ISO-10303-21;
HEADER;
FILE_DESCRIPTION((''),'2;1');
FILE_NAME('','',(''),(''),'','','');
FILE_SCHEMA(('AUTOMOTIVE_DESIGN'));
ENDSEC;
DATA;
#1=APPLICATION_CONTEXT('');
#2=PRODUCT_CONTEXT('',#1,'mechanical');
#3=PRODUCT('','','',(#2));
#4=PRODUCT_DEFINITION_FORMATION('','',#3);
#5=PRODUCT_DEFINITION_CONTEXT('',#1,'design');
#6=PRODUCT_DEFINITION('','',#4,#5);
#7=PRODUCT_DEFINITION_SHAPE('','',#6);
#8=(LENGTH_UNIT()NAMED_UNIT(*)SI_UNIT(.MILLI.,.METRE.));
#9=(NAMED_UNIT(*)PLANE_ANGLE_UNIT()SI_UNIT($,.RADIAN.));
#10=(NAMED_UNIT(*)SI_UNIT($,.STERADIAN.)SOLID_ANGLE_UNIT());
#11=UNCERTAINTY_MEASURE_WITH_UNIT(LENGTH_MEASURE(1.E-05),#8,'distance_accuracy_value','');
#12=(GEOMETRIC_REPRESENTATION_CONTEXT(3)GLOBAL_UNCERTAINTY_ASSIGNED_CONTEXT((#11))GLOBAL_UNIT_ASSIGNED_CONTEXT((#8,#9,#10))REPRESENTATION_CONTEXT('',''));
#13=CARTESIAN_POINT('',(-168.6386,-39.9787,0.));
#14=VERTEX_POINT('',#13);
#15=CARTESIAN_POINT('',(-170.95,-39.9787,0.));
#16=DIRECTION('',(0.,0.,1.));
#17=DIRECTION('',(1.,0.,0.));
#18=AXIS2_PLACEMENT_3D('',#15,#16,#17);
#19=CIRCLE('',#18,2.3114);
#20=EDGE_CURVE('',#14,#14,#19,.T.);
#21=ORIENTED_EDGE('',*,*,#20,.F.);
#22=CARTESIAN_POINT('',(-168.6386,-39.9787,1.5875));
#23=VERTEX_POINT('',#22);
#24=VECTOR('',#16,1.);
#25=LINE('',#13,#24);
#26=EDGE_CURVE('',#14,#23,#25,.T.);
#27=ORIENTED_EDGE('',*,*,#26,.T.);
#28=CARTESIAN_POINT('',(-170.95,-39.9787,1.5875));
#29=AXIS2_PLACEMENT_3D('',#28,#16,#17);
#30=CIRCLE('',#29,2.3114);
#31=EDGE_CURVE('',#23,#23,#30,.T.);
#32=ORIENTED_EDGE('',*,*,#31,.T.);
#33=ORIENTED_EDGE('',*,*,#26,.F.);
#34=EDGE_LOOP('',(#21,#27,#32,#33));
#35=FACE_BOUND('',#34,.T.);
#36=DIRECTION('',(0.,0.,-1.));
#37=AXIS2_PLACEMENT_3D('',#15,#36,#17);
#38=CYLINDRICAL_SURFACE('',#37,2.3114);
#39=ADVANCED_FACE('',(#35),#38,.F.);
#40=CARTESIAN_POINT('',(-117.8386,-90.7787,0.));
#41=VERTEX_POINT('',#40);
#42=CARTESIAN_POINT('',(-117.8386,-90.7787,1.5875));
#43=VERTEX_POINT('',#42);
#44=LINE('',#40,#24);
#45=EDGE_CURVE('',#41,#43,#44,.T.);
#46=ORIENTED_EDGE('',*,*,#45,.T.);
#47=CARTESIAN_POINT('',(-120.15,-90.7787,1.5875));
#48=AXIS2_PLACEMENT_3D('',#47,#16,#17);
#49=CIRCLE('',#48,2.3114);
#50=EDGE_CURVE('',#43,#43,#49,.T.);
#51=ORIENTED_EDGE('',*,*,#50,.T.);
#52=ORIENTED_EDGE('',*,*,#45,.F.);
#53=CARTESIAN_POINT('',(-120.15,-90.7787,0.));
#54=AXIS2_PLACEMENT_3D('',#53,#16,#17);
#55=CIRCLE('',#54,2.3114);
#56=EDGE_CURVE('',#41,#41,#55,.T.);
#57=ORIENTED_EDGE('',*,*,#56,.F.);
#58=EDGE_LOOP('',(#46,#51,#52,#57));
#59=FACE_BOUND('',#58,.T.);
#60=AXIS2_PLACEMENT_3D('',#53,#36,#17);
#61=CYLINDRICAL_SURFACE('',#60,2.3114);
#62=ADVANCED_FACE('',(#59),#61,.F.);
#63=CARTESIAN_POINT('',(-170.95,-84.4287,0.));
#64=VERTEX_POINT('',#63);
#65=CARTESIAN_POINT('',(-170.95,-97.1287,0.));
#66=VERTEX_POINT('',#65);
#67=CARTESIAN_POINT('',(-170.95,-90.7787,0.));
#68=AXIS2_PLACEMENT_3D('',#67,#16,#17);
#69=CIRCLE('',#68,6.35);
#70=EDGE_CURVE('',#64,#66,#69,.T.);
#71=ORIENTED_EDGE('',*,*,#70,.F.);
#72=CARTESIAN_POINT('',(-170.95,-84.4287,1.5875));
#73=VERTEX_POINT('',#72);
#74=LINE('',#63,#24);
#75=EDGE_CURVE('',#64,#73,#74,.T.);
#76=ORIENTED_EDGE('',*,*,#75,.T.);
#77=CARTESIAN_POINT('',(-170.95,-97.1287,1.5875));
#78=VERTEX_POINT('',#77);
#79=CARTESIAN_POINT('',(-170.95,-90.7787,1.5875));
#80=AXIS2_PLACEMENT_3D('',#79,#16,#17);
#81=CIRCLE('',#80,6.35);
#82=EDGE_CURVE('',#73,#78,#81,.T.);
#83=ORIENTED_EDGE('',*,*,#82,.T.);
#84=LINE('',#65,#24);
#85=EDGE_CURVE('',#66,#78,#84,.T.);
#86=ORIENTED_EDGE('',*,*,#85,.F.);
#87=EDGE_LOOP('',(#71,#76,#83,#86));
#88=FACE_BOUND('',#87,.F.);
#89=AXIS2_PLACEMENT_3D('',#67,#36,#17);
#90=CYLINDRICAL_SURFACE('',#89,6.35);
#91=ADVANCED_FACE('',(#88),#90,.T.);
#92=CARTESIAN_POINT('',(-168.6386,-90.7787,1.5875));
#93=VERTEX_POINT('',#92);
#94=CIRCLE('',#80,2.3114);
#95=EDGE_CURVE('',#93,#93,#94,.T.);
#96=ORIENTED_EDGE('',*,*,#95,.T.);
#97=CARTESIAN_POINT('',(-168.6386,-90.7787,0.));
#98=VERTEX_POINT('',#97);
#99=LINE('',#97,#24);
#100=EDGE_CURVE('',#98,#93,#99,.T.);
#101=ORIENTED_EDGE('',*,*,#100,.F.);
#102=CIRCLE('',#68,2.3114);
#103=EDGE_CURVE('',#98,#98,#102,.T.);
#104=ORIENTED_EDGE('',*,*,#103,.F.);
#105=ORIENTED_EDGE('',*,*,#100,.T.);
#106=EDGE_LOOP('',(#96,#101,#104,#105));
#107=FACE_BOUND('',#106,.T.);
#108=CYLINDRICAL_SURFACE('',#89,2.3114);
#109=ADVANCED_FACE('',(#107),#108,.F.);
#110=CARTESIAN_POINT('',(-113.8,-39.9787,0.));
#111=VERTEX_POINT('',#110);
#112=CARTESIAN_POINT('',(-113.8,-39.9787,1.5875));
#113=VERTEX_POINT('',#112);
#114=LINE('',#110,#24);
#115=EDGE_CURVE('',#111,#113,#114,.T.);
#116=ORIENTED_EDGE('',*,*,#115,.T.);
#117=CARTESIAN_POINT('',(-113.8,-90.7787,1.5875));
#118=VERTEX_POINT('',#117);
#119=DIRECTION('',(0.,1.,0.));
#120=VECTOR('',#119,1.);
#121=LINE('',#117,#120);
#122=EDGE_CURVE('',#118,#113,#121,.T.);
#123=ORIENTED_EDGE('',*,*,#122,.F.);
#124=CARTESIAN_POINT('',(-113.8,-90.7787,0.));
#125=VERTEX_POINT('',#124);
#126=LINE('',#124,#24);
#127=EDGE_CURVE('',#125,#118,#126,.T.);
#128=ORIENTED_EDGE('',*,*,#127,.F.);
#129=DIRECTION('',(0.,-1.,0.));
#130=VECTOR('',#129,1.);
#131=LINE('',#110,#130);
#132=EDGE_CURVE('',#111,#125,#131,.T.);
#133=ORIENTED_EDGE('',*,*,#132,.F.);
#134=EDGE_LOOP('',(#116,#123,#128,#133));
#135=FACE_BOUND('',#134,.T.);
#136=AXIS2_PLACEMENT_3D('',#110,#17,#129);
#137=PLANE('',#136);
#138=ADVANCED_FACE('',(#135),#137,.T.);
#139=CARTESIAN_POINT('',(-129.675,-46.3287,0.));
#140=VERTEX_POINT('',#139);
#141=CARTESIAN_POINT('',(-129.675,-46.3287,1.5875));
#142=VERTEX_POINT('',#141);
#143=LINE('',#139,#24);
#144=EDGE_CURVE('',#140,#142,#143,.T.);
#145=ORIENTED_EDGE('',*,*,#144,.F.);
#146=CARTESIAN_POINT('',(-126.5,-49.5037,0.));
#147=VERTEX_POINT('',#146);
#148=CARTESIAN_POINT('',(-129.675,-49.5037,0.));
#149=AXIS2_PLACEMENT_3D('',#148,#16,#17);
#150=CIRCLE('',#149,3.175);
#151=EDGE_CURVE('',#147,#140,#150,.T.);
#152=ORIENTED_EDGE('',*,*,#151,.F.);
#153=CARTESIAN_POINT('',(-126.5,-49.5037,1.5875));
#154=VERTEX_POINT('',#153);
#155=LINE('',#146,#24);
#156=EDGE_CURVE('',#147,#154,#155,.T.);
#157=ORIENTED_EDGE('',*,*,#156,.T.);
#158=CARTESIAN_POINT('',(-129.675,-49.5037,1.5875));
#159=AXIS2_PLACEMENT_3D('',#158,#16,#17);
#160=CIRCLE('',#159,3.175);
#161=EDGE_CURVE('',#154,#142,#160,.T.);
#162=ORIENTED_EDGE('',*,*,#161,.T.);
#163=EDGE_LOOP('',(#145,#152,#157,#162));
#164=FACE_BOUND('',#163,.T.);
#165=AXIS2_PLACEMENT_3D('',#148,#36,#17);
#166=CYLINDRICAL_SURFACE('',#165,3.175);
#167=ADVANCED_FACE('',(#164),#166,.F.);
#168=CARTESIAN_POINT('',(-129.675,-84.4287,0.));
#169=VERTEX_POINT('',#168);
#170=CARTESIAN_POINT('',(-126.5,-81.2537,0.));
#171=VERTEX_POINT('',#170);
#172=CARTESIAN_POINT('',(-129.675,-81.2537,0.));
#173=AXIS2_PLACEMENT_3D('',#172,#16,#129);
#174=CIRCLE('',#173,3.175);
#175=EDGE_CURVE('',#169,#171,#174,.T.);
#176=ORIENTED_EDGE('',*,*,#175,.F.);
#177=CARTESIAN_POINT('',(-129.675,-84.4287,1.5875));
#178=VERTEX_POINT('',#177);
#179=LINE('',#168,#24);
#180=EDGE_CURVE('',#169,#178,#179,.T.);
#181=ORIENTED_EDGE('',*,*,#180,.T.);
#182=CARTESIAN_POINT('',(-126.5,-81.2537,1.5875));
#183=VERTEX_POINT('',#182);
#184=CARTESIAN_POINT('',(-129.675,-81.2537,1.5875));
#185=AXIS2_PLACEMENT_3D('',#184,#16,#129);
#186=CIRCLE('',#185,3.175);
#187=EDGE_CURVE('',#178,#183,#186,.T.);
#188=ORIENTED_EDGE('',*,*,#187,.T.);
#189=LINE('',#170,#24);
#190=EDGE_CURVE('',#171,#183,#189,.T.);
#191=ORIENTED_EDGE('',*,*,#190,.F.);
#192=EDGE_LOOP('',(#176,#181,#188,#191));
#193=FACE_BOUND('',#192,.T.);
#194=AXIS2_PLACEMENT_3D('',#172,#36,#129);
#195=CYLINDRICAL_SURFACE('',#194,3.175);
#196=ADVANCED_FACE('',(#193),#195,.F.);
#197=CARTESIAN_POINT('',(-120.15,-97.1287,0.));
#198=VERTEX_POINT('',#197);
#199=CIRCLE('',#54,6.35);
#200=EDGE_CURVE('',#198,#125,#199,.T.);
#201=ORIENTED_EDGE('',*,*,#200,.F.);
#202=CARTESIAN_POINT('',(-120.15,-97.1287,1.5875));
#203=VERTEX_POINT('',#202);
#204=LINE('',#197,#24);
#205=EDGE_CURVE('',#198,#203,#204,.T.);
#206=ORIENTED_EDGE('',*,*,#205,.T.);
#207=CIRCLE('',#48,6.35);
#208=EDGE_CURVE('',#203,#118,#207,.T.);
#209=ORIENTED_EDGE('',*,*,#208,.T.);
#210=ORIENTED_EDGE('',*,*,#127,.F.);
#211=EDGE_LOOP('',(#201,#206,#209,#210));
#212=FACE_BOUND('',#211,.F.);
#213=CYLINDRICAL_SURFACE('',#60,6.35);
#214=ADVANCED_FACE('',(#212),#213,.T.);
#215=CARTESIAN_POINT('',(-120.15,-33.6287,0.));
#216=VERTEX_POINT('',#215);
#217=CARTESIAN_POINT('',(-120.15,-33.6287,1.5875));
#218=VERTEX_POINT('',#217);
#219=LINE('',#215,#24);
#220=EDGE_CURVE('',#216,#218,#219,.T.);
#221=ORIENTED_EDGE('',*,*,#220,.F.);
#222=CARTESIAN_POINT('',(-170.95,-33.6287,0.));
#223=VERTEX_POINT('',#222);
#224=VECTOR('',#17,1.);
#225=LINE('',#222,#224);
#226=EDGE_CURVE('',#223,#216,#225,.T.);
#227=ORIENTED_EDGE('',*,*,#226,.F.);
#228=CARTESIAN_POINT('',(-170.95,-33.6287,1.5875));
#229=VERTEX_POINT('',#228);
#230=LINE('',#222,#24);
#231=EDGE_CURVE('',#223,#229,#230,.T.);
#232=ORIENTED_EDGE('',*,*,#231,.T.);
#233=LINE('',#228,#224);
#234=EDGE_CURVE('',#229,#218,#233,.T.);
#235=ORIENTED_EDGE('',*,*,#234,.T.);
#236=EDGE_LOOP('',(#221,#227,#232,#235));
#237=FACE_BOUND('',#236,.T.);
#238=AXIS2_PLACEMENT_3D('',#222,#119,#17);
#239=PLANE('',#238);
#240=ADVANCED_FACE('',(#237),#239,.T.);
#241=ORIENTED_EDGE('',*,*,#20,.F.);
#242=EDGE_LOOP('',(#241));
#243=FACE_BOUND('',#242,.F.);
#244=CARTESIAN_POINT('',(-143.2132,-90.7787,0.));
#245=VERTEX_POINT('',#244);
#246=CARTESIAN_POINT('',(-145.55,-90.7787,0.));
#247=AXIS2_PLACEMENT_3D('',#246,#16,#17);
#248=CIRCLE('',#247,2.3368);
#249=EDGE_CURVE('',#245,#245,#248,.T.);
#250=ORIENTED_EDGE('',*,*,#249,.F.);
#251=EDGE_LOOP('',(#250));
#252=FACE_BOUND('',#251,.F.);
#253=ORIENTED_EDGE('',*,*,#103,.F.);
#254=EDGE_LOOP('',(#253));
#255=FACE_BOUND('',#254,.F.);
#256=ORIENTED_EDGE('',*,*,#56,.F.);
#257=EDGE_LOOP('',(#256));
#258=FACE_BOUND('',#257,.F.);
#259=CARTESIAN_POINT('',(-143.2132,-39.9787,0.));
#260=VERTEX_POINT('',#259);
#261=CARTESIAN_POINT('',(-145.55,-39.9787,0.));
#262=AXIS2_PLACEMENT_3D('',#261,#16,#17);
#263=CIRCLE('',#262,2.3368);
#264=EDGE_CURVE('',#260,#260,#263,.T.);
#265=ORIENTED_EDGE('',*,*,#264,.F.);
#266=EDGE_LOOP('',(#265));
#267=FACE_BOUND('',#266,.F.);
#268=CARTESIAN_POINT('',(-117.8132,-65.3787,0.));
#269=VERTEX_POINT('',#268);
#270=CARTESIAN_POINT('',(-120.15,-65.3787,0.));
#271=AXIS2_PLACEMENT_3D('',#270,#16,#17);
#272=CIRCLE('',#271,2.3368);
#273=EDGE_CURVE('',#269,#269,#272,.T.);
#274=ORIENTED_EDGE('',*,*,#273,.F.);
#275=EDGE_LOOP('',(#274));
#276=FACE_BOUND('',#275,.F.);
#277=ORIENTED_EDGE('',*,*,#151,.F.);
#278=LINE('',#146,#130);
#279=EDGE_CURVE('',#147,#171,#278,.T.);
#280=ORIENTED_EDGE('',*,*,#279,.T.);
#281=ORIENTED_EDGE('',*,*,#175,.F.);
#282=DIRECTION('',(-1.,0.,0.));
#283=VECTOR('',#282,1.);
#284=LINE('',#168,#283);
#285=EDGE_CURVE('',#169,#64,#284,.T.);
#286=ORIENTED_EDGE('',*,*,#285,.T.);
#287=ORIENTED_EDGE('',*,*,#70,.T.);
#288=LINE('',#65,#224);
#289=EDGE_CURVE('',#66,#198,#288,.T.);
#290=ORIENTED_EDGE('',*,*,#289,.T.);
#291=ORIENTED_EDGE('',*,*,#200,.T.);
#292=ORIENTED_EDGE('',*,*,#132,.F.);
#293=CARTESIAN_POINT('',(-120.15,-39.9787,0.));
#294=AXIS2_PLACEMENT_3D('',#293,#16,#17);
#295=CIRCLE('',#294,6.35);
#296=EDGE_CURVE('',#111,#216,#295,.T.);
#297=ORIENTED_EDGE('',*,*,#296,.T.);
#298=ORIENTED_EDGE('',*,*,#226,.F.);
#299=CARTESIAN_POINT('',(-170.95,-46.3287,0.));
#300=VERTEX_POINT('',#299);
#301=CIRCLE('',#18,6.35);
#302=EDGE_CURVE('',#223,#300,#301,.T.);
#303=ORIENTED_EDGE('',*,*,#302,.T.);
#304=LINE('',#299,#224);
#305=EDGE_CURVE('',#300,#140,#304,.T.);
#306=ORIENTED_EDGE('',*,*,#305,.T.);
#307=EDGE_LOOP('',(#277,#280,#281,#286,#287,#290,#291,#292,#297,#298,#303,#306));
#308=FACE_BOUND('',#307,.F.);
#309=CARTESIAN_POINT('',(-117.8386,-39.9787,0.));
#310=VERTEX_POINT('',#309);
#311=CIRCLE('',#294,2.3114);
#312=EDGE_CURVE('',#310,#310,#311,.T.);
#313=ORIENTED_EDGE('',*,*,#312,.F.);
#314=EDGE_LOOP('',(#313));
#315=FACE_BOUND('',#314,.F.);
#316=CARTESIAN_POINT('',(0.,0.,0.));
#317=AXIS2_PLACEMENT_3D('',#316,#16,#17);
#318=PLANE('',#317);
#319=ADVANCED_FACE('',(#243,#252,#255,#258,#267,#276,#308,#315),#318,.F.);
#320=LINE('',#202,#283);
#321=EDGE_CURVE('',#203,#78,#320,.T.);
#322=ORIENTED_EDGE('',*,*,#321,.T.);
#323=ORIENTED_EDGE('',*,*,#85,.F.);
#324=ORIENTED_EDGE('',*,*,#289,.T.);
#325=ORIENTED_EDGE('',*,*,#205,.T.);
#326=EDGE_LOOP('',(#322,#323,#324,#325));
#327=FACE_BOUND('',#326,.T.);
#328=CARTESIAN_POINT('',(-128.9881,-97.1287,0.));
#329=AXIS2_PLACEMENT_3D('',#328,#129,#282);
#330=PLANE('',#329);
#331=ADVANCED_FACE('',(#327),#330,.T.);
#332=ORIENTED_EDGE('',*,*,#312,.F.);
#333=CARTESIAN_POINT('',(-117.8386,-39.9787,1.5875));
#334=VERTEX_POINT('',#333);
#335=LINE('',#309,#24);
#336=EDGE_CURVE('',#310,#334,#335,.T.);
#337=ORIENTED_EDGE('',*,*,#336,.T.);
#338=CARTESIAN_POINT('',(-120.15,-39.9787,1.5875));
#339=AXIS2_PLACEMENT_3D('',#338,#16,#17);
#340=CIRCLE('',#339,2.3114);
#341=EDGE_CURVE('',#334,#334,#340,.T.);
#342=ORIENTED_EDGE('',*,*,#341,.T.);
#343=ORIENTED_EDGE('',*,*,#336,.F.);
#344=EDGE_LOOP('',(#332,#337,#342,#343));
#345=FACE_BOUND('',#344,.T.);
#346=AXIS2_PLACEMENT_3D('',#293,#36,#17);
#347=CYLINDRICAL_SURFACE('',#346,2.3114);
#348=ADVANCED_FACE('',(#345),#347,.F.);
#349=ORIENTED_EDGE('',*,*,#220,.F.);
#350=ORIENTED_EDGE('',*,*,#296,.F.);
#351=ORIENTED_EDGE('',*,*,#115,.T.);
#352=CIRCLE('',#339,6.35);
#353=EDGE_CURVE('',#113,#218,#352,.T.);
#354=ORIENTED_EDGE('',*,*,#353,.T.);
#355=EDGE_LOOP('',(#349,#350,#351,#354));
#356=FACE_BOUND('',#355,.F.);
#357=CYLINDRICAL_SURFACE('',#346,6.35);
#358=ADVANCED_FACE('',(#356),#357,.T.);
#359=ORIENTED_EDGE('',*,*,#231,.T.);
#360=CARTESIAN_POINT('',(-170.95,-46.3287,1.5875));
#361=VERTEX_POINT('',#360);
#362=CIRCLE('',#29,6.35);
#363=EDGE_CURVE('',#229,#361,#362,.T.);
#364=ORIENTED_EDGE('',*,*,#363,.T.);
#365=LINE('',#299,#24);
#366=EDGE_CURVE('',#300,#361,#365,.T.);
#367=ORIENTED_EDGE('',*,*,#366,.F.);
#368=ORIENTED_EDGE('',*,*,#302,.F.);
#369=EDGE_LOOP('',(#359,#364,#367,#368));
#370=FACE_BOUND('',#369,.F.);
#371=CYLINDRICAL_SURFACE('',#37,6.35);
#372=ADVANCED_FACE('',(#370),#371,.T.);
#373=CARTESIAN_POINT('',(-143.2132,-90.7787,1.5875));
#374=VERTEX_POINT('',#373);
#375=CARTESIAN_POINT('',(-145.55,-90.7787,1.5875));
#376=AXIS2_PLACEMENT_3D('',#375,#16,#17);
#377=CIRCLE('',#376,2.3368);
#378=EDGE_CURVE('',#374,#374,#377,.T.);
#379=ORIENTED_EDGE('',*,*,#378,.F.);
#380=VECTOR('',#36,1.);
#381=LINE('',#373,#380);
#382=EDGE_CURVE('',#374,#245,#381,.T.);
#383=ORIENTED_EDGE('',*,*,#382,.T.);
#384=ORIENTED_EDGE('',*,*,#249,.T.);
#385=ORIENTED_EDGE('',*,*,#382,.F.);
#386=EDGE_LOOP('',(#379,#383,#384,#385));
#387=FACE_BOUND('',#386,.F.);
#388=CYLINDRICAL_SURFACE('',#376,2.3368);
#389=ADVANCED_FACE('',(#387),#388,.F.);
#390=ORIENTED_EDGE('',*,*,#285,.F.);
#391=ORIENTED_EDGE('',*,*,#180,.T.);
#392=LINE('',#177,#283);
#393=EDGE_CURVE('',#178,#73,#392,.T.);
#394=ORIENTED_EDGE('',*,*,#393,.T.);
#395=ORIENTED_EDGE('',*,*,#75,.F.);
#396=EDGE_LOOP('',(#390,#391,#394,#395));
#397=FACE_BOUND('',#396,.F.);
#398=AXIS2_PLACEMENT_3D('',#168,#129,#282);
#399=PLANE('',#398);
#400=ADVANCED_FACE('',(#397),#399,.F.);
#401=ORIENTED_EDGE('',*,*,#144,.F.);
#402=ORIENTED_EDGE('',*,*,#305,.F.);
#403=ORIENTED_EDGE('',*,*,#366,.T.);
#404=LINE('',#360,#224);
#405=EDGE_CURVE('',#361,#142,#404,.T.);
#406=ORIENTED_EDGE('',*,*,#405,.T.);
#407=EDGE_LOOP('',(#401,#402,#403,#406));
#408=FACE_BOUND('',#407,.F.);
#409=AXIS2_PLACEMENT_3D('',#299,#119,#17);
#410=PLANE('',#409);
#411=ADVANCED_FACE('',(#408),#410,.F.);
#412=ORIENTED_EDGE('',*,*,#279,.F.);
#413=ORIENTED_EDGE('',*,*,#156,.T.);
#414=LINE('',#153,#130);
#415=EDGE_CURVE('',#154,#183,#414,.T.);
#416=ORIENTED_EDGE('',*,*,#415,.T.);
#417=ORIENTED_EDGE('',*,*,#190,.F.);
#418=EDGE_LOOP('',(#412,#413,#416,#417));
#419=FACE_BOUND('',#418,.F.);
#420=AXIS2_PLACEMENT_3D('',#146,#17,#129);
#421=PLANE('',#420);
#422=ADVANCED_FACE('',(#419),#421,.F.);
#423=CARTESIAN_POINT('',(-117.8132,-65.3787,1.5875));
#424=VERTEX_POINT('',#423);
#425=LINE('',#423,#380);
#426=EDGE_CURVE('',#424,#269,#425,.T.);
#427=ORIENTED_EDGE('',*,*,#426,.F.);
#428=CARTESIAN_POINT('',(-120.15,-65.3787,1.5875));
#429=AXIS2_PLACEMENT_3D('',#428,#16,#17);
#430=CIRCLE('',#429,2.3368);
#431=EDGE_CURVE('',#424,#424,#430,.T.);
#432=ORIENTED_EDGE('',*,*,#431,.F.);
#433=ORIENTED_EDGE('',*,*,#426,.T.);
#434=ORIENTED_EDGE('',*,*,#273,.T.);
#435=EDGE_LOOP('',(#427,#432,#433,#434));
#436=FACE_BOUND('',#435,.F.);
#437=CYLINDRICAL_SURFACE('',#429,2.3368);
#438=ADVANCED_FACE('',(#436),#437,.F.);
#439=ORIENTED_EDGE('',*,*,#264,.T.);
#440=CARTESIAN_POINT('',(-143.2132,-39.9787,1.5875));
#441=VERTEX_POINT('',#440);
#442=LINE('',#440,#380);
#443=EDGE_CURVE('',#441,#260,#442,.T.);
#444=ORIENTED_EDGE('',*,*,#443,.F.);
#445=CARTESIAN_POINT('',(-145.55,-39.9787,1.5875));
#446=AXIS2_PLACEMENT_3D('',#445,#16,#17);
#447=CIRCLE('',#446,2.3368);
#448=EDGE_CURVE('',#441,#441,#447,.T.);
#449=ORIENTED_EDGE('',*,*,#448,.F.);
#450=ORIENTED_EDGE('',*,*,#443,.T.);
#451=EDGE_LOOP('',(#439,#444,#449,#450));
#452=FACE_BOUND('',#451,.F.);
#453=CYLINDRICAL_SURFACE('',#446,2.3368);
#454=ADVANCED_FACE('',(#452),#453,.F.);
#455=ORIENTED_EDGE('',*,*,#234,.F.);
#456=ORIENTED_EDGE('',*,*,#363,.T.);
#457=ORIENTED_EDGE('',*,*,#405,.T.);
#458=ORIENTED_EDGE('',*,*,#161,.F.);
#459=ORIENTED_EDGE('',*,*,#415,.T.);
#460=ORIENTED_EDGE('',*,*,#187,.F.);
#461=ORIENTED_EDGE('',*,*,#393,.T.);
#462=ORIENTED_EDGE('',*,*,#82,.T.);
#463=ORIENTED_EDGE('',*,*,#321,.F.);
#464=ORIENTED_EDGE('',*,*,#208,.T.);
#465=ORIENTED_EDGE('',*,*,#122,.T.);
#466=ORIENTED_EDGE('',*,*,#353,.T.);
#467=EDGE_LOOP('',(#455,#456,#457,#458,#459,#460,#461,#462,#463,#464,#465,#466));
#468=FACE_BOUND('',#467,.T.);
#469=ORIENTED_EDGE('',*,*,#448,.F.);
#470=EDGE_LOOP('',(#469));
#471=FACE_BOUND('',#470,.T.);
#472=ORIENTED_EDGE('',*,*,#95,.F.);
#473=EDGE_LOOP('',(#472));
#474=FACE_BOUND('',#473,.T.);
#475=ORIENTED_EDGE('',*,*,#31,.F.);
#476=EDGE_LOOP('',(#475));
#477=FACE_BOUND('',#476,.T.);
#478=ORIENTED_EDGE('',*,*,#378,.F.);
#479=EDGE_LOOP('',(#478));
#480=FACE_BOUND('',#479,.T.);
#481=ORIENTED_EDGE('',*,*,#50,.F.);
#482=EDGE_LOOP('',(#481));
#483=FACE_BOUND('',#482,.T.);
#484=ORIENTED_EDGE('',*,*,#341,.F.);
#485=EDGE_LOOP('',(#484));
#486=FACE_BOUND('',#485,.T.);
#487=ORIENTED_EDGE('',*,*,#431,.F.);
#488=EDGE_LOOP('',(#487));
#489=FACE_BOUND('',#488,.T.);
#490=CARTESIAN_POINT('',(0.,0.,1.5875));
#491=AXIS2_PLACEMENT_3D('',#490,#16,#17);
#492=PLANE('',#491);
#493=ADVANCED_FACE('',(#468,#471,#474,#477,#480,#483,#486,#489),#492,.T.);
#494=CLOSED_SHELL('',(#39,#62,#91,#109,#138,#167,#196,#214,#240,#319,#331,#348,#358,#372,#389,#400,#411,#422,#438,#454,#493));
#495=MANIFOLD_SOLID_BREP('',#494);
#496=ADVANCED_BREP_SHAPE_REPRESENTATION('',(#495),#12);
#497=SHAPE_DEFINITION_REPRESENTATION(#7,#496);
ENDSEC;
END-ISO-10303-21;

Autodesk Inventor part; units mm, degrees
ref_plane "YZ Plane" through (0, 0, 0) normal (1, 0, 0) x (0, 1, 0)
ref_plane "XZ Plane" through (0, 0, 0) normal (0, 1, 0) x (-1, 0, 0)
ref_plane "XY Plane" through (0, 0, 0) normal (0, 0, 1) x (1, 0, 0)
sketch "Sketch1" plane through (0, 0, 0) normal (0, 0, 1) x (1, 0, 0)
  line L0 (-127.5242, -32.3587) -> (-188.9758, -32.3587) projected
  line L1 (-128.9881, -97.1287) -> (-187.5119, -97.1287) projected
  line L2 (-113.8, -97.1287) -> (-113.8, -85.5717) projected
  circle A0 centre (-120.15, -39.9787) radius 2.3114 projected
  circle A1 centre (-120.15, -90.7787) radius 2.3114 projected
  circle A2 centre (-170.95, -90.7787) radius 2.3114 projected
  circle A3 centre (-170.95, -39.9787) radius 2.3114 projected
  circle A4 centre (-158.25, -39.9787) radius 2.3114 projected
  circle A5 centre (-158.25, -90.7787) radius 2.3114 projected
  circle A6 centre (-120.15, -39.9787) radius 6.35
  circle A7 centre (-170.95, -39.9787) radius 6.35
  circle A8 centre (-170.95, -90.7787) radius 6.35
  circle A9 centre (-120.15, -90.7787) radius 6.35
  line L3 (-170.95, -33.6287) -> (-120.15, -33.6287)
  line L4 (-113.8, -39.9787) -> (-113.8, -90.7787)
  line L5 (-120.15, -97.1287) -> (-170.95, -97.1287)
  line L6 (-170.95, -46.3287) -> (-129.675, -46.3287)
  line L7 (-126.5, -49.5037) -> (-126.5, -81.2537)
  line L8 (-129.675, -84.4287) -> (-170.95, -84.4287)
  arc A10 (-126.5, -49.5037) -> (-129.675, -46.3287) centre (-129.675, -49.5037) ccw
  arc A11 (-129.675, -84.4287) -> (-126.5, -81.2537) centre (-129.675, -81.2537) ccw
  circle A12 centre (-170.95, -39.9787) radius 2.3114
  circle A13 centre (-120.15, -39.9787) radius 2.3114
  circle A14 centre (-120.15, -90.7787) radius 2.3114
  circle A15 centre (-170.95, -90.7787) radius 2.3114
  circle A16 centre (-158.25, -90.7787) radius 2.3114
  circle A17 centre (-158.25, -39.9787) radius 2.3114
  point P0 (0, 0)
  dimension "d6" = 12.7
  dimension "d7" = 12.7
  dimension "d8" = 12.7
  dimension "d9" = 12.7
  dimension "d10" = 3.175
extrude "Extrusion1" add sketch "Sketch1" along normal blind 1.5875
sketch "Sketch2" plane through (0, 0, 1.5875) normal (0, 0, 1) x (1, 0, 0)
  circle A0 centre (-158.25, -39.9787) radius 2.3114 projected
  circle A1 centre (-158.25, -39.9787) radius 2.3114
  circle A2 centre (-158.25, -90.7787) radius 2.3114 projected
  circle A3 centre (-158.25, -90.7787) radius 2.3114
  circle A4 centre (-145.55, -90.7787) radius 2.3368
  circle A5 centre (-170.95, -90.7787) radius 2.3114 projected
  circle A6 centre (-145.55, -39.9787) radius 2.3368
  circle A7 centre (-120.15, -65.3787) radius 2.3368
  circle A8 centre (-120.15, -39.9787) radius 2.3114 projected
  line L0 (-113.8, -90.7787) -> (-113.8, -39.9787) projected
  circle A9 centre (-170.95, -39.9787) radius 2.3114 projected
  circle A10 centre (-120.15, -90.7787) radius 2.3114 projected
  point P0 (0, 0)
  dimension "d13" = 4.6736
  dimension "d14" = 25.4
  dimension "d15" = 4.6736
  dimension "d16" = 4.6736
  dimension "d17" = 25.4
  dimension "d18" = 6.35
  dimension "d23" = 25.4
  dimension "d24" = 25.4
  dimension "d25" = 25.4
extrude "Extrusion2" cut sketch "Sketch2" against normal blind 25.4 contours A4 | A6 | A7
extrude "Extrusion3" add sketch "Sketch2" against normal up to surface (1.5875 mm away) contours A0 | A2
equation "\"BendRadius\" = Thickness"
equation "\"BendReliefWidth\" = Thickness"
equation "\"BendReliefDepth\" = 0.5 * Thickness"
equation "\"CornerReliefSize\" = 4 * Thickness"
equation "\"MinimumRemnant\" = 2 * Thickness"
equation "\"TransitionRadius\" = BendRadius"
equation "\"JacobiRadiusSize\" = BendRadius"
equation "\"GapSize\" = Thickness"
equation "\"Thickness\" = 1.5875"
properties part number "frontgusset" material "Polycarbonate, Clear"
